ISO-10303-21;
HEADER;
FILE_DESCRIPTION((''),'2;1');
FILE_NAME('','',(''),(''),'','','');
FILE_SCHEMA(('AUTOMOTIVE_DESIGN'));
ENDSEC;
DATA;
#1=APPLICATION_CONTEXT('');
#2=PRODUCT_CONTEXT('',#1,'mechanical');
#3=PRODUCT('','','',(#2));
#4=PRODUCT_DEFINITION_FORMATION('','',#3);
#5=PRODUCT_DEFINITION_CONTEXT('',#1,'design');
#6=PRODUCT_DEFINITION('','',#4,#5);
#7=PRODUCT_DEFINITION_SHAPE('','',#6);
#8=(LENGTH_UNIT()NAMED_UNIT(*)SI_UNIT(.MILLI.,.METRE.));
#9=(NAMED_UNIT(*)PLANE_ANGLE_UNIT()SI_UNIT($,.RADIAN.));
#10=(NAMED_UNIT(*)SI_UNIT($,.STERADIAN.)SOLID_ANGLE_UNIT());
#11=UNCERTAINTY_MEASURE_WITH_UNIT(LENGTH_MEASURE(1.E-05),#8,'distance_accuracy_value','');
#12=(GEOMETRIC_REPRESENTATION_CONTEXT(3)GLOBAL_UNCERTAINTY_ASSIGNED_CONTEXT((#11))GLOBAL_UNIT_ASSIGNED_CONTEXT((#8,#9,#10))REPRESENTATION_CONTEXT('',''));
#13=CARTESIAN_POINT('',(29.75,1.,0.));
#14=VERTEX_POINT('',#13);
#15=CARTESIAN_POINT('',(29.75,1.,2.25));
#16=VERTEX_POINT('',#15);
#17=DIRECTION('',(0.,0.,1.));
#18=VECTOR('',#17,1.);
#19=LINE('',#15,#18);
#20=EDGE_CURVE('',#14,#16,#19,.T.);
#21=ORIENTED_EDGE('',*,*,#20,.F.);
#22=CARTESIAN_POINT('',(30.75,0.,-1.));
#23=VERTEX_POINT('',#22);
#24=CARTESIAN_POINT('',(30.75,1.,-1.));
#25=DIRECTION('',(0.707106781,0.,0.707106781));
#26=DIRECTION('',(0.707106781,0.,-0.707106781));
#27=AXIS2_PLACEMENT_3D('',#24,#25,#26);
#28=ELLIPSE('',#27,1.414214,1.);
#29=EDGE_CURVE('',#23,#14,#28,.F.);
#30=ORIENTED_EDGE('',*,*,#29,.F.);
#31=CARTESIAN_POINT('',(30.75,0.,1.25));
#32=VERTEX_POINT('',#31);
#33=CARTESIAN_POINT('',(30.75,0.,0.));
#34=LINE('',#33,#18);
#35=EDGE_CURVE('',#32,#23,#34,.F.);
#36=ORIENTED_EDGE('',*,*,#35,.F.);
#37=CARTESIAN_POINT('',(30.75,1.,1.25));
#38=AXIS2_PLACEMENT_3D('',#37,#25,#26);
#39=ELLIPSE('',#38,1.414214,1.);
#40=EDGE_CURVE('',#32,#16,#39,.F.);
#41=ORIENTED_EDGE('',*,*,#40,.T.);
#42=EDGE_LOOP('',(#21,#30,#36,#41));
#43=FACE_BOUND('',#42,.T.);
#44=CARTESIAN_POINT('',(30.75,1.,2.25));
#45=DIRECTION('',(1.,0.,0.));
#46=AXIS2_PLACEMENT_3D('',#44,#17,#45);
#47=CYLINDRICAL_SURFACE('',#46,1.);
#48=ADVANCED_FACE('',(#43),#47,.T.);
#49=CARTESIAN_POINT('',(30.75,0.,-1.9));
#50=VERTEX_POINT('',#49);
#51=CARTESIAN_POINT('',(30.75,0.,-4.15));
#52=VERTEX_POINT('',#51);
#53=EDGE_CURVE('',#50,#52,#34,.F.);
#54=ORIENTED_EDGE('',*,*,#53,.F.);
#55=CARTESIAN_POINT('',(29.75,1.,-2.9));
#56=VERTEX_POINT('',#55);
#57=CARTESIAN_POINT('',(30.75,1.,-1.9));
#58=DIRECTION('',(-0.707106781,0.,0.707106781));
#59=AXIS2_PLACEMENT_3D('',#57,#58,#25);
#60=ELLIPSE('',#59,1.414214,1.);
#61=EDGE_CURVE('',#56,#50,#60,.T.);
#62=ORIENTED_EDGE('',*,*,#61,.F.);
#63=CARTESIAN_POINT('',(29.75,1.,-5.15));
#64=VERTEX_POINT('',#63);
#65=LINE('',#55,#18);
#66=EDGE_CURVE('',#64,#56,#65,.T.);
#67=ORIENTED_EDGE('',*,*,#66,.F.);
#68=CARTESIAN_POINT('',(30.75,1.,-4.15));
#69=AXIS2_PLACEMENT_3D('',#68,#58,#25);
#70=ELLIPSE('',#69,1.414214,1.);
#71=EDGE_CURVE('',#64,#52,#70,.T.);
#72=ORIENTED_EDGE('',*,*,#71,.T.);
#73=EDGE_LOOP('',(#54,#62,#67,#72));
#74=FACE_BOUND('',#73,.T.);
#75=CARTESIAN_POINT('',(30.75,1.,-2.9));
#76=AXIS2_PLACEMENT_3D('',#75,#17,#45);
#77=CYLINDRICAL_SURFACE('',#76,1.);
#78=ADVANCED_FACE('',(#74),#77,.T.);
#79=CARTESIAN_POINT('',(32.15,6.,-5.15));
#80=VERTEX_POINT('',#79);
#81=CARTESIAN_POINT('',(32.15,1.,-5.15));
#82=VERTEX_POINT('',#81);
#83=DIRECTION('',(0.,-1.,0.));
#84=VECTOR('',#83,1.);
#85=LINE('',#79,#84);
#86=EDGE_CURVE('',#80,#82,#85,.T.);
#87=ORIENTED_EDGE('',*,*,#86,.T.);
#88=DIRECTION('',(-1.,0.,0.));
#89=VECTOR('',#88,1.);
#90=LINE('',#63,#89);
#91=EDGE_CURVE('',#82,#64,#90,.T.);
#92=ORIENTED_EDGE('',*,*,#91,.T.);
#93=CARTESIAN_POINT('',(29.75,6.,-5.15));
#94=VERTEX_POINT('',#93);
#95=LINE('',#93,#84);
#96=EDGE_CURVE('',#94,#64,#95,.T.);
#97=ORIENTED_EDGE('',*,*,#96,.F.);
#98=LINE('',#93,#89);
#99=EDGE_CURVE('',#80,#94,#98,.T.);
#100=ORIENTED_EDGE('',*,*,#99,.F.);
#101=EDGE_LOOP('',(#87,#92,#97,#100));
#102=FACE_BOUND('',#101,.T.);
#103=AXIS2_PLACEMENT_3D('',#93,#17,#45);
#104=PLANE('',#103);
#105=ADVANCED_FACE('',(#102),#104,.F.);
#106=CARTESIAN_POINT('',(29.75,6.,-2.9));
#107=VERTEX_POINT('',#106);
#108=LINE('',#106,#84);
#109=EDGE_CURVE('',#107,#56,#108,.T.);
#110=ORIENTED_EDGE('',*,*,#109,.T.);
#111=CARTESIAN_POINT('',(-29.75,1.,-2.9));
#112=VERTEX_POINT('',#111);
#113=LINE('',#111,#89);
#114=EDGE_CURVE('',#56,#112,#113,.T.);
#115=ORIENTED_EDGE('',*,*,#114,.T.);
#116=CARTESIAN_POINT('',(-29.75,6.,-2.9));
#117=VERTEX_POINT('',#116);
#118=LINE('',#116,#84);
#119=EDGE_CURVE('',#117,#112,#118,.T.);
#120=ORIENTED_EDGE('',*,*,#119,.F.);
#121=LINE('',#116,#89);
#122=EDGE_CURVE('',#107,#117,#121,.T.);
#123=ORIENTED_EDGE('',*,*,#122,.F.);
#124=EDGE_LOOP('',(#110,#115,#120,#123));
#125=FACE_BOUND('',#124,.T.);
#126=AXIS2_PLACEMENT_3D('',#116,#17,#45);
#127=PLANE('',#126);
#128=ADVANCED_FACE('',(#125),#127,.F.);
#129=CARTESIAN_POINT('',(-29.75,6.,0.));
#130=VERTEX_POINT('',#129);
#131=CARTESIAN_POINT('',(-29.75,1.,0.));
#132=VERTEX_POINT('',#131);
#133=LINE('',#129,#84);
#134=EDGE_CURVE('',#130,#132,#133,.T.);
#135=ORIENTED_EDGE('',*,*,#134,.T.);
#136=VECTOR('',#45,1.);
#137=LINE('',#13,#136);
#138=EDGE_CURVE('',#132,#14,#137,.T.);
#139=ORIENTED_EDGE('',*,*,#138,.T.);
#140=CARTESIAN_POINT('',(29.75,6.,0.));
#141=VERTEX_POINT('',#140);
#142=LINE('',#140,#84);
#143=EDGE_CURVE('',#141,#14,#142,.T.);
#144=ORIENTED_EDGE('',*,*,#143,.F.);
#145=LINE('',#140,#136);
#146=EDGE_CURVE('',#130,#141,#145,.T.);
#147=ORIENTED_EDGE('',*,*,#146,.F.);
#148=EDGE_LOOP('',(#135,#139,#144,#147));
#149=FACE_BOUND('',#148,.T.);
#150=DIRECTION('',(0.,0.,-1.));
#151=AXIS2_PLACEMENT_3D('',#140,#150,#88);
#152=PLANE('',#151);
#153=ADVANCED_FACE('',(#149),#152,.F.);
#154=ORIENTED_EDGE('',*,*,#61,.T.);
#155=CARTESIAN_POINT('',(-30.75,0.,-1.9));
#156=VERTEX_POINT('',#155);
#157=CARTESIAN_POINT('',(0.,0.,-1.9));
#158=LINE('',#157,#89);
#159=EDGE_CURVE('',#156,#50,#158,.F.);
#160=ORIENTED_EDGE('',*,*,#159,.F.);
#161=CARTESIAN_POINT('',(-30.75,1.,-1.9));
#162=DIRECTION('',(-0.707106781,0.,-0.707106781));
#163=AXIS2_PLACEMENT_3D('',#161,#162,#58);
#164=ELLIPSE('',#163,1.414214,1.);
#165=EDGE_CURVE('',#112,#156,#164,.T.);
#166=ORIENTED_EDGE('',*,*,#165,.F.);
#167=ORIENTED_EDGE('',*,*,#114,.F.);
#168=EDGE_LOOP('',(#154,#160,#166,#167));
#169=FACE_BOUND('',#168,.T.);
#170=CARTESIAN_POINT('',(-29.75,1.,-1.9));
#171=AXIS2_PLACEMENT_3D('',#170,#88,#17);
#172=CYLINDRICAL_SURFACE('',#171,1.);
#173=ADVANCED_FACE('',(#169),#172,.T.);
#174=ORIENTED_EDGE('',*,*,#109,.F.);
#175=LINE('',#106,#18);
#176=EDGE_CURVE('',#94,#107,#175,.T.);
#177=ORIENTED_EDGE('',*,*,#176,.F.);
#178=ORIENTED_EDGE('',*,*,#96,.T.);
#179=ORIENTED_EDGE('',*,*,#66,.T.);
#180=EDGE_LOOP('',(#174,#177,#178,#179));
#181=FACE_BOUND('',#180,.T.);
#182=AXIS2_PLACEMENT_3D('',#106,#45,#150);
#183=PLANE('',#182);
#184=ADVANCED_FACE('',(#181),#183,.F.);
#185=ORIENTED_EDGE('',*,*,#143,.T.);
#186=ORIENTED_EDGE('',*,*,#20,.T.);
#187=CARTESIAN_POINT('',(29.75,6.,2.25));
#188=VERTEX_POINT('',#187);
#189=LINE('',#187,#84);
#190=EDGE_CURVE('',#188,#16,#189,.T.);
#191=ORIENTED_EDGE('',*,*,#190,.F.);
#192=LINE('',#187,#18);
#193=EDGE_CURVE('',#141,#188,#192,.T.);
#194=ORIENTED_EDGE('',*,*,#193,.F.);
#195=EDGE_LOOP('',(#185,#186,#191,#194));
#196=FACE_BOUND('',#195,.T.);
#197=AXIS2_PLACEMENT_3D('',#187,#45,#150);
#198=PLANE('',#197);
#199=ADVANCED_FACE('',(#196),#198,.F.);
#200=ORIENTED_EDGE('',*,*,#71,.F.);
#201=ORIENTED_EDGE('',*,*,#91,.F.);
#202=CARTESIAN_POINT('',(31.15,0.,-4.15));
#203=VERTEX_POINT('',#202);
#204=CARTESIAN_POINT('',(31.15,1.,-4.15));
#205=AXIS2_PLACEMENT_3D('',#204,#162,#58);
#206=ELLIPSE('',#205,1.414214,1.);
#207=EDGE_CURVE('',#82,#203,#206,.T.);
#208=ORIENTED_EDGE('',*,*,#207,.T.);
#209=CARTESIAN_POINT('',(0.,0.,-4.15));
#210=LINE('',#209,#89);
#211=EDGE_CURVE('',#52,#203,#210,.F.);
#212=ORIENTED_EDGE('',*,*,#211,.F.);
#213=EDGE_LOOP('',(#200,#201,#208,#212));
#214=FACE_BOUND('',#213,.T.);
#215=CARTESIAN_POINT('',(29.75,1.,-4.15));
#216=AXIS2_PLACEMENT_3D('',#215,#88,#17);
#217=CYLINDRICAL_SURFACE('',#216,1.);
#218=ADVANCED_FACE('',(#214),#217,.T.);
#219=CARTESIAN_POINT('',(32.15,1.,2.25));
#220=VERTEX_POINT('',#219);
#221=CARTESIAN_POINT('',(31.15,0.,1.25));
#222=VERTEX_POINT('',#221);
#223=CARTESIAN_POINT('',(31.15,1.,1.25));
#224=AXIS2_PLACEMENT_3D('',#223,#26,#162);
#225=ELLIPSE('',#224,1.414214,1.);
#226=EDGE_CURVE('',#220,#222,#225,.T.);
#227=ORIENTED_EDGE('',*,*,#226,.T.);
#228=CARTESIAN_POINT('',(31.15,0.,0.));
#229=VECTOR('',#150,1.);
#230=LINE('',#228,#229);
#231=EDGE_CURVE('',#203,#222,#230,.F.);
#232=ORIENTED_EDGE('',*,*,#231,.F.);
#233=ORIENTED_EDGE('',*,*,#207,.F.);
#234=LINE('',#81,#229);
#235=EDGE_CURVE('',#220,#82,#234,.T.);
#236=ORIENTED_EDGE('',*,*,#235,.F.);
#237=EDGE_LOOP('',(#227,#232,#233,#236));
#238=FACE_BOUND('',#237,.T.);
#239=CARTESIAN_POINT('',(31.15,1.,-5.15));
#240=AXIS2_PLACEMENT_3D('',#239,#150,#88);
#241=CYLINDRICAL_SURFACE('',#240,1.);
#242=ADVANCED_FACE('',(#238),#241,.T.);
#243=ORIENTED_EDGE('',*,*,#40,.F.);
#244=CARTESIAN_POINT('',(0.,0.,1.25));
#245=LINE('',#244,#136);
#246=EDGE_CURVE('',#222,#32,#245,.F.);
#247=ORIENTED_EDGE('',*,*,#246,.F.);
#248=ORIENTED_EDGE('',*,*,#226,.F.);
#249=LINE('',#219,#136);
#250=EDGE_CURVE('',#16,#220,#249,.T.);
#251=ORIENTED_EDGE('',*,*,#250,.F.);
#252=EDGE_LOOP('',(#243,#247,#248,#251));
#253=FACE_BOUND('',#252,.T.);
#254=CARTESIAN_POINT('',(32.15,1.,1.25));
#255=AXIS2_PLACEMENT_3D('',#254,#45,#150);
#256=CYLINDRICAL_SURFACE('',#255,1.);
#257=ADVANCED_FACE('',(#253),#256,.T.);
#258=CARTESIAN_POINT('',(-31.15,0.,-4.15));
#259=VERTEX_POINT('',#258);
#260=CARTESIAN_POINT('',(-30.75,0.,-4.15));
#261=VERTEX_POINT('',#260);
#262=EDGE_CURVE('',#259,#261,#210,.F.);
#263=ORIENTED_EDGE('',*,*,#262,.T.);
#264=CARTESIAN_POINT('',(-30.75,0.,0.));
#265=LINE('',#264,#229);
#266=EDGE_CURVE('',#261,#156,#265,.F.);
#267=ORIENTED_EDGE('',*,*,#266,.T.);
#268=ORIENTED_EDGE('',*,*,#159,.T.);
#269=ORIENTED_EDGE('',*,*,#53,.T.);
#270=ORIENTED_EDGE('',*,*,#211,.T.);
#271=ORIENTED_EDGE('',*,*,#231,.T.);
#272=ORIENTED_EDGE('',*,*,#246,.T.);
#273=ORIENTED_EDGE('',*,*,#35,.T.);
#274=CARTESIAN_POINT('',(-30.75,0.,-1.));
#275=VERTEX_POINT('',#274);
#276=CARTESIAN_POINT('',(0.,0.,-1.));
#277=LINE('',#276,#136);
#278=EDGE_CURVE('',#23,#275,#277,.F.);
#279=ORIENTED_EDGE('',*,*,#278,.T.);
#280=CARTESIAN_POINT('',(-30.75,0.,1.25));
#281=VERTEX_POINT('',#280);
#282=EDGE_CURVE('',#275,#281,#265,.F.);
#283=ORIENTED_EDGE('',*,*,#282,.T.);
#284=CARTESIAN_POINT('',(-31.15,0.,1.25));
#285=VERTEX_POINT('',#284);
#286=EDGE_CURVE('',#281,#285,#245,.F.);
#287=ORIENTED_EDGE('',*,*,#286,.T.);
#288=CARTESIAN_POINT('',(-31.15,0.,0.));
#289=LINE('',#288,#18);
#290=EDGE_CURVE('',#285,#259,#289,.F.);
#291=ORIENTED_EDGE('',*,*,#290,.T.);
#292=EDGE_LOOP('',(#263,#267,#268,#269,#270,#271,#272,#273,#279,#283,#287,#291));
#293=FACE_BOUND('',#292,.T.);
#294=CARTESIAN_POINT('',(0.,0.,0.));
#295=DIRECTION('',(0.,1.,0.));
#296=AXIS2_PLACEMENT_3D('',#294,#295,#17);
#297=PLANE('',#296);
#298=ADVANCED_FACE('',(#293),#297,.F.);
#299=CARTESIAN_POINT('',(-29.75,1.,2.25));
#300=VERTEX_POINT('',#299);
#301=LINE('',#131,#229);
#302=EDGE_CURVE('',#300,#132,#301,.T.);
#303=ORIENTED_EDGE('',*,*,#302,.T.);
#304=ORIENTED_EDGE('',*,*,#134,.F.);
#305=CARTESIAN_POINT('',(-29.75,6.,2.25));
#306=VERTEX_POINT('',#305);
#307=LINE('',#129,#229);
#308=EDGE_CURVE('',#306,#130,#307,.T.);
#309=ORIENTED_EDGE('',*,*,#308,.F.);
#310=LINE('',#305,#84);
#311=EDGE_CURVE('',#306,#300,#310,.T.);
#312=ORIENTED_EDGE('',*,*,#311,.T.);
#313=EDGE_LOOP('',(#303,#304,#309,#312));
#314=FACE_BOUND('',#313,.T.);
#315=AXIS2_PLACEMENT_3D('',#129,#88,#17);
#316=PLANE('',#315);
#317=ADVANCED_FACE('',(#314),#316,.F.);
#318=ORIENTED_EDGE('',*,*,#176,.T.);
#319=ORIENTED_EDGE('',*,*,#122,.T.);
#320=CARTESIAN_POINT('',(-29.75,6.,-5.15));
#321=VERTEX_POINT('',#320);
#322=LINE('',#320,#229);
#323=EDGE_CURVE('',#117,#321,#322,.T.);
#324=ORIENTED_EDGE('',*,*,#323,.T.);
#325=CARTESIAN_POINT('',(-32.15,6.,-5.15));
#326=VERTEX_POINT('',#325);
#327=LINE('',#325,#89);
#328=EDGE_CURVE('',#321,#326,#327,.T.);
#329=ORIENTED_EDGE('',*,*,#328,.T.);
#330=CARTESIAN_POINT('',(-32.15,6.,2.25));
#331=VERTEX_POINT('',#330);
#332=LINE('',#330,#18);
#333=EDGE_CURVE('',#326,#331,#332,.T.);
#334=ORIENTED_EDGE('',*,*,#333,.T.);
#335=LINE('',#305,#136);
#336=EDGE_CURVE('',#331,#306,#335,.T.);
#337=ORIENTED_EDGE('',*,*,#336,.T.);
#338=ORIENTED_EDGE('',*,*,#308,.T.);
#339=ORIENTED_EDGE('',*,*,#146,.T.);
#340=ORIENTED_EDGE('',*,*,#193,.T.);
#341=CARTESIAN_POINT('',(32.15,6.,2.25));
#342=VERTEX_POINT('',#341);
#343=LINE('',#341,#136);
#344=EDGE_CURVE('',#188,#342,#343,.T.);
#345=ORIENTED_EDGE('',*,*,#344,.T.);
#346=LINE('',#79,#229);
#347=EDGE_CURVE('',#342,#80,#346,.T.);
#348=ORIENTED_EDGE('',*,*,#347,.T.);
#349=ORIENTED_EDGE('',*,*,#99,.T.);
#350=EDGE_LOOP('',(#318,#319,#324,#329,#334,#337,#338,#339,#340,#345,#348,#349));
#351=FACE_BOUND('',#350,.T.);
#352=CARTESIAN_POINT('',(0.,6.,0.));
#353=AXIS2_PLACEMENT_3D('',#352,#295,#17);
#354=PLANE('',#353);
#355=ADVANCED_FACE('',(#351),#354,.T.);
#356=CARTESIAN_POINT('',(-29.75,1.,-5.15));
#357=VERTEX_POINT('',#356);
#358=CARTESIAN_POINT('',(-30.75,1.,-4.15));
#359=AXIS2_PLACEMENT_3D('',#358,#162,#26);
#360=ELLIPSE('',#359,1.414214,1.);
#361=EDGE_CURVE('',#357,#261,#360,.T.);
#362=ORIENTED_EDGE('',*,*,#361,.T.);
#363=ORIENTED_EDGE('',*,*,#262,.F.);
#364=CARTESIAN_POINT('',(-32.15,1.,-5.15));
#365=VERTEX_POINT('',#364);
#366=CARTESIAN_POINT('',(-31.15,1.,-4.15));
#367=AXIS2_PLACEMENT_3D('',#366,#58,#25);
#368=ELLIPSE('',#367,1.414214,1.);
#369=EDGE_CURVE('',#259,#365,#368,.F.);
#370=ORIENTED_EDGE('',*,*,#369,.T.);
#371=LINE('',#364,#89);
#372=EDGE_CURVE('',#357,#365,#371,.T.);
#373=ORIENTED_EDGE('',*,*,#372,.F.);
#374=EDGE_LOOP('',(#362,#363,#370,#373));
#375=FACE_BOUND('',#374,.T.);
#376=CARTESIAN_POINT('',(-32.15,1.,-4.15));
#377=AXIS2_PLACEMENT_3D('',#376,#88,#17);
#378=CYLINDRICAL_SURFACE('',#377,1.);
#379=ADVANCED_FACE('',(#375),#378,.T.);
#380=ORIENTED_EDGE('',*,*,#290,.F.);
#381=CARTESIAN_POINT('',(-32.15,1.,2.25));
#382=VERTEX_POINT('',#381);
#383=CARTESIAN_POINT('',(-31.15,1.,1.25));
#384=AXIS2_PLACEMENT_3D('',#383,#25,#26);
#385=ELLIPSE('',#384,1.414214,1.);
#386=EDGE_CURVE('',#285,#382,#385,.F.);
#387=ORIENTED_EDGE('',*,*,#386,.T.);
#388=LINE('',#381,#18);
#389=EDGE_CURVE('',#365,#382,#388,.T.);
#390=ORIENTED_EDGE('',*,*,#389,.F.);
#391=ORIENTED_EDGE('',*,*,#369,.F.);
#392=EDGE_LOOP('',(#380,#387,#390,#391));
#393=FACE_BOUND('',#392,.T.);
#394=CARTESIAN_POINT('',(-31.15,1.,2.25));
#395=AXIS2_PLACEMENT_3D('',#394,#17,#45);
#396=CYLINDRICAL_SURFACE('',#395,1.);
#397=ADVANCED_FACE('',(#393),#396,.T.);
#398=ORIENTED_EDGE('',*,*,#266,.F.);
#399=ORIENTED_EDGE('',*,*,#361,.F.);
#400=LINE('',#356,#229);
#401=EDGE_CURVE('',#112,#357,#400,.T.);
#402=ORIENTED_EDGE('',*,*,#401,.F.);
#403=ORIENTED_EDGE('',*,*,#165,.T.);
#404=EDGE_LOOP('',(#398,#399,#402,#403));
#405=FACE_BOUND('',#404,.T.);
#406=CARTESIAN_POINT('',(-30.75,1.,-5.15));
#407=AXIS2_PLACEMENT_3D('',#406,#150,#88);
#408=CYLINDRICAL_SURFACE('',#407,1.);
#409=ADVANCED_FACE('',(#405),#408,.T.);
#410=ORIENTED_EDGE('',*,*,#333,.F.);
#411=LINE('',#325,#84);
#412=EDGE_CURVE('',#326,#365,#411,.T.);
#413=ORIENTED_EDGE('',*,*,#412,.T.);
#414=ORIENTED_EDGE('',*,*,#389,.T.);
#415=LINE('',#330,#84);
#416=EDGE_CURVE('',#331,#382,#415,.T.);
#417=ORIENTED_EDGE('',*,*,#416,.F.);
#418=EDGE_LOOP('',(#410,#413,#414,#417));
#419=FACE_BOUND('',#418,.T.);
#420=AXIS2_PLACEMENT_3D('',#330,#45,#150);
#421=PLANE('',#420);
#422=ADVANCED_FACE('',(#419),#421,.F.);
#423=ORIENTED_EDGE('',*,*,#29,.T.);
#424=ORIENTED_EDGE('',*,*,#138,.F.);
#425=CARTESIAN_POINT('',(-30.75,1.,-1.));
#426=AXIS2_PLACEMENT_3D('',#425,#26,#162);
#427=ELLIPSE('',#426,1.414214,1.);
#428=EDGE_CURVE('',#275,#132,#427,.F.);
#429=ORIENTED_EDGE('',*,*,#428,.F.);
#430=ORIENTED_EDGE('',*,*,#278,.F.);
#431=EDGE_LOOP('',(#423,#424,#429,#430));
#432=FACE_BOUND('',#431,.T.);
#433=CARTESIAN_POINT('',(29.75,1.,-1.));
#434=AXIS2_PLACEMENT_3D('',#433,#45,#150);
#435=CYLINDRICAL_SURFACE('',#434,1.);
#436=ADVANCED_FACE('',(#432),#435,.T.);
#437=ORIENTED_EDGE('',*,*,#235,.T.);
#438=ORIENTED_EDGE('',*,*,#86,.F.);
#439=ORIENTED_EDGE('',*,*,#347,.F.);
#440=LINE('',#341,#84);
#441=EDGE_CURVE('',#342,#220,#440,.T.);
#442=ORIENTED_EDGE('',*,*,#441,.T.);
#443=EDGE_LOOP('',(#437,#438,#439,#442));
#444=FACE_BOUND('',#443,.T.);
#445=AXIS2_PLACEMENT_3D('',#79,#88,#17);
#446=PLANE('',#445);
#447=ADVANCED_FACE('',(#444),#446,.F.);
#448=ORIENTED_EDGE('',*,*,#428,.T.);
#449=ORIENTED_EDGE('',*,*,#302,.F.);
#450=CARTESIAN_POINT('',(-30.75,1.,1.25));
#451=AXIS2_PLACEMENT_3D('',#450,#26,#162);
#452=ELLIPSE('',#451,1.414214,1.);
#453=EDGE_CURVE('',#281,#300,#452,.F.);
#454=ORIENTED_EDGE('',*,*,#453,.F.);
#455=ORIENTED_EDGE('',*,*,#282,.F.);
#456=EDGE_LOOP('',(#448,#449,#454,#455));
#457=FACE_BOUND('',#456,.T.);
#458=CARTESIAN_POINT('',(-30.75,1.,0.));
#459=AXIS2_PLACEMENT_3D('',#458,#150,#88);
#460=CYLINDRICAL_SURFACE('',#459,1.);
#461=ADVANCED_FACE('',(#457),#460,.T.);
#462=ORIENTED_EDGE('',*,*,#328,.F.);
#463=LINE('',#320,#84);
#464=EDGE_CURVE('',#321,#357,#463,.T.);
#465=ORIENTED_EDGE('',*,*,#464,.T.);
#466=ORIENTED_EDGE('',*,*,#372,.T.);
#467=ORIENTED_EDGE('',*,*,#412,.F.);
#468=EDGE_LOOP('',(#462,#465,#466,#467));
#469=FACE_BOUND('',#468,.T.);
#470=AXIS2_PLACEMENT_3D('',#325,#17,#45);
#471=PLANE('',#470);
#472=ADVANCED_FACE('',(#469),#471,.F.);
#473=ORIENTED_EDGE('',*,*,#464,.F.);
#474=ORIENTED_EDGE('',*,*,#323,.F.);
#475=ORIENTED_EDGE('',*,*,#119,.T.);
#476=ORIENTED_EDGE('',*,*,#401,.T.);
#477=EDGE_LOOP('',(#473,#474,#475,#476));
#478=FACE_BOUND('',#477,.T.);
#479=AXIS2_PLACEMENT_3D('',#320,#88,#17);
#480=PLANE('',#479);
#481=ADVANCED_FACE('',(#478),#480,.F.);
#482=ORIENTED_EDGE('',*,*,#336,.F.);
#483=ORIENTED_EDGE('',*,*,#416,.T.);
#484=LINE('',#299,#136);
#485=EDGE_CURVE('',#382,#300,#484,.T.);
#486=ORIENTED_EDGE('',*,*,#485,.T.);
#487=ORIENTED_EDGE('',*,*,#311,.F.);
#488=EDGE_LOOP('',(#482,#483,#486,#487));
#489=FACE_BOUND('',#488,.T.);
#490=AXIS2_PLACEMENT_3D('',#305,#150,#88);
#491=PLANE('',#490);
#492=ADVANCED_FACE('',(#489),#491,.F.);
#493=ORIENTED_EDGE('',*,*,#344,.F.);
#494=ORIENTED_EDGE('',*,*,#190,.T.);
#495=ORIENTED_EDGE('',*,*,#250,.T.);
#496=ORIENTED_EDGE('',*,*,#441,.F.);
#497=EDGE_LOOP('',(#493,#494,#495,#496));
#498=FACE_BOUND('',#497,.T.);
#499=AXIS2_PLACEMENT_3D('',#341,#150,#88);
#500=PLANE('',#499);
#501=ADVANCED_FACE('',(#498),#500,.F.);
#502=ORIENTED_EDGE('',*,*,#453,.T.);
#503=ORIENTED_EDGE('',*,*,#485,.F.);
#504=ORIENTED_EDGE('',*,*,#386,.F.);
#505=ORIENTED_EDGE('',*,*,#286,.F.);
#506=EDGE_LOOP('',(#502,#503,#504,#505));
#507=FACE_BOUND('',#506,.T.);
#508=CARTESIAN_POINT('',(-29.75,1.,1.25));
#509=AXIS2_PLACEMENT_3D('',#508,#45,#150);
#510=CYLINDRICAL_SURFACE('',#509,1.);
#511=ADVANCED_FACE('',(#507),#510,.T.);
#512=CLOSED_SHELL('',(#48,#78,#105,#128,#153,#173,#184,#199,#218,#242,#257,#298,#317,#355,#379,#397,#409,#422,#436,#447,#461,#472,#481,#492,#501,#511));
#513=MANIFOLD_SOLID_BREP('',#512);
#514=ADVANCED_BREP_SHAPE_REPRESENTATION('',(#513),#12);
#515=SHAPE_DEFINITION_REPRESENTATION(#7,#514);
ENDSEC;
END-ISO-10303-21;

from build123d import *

# Parameters (mm, degrees)
BOSS_EXTRUDE1_DEPTH = 6
FILLET1_R           = 1


with BuildPart() as part:
    # Sketch1 → Boss-Extrude1 (new body)
    with BuildSketch(Plane(origin=(0, 0, 0), x_dir=(1, 0, 0), z_dir=(0, 1, 0))):
        Polygon((-29.75, 2.9), (29.75, 2.9), (29.75, 5.15), (32.15, 5.15), (32.15, -2.25), (29.75, -2.25), (29.75, 0), (-29.75, 0), (-29.75, -2.25), (-32.15, -2.25), (-32.15, 5.15), (-29.75, 5.15), align=None)
    extrude(amount=BOSS_EXTRUDE1_DEPTH)

    # Fillet1
    fillet1_edges = [part.edges().sort_by_distance(p)[0] for p in [
        (0, 0, -2.9),
        (29.75, 0, -4.025),
        (30.95, 0, -5.15),
        (32.15, 0, -1.45),
        (30.95, 0, 2.25),
        (29.75, 0, 1.125),
        (0, 0, 0),
        (-29.75, 0, 1.125),
        (-30.95, 0, 2.25),
        (-32.15, 0, -1.45),
        (-30.95, 0, -5.15),
        (-29.75, 0, -4.025),
    ]]
    fillet(fillet1_edges, radius=FILLET1_R)


solid = part.part
